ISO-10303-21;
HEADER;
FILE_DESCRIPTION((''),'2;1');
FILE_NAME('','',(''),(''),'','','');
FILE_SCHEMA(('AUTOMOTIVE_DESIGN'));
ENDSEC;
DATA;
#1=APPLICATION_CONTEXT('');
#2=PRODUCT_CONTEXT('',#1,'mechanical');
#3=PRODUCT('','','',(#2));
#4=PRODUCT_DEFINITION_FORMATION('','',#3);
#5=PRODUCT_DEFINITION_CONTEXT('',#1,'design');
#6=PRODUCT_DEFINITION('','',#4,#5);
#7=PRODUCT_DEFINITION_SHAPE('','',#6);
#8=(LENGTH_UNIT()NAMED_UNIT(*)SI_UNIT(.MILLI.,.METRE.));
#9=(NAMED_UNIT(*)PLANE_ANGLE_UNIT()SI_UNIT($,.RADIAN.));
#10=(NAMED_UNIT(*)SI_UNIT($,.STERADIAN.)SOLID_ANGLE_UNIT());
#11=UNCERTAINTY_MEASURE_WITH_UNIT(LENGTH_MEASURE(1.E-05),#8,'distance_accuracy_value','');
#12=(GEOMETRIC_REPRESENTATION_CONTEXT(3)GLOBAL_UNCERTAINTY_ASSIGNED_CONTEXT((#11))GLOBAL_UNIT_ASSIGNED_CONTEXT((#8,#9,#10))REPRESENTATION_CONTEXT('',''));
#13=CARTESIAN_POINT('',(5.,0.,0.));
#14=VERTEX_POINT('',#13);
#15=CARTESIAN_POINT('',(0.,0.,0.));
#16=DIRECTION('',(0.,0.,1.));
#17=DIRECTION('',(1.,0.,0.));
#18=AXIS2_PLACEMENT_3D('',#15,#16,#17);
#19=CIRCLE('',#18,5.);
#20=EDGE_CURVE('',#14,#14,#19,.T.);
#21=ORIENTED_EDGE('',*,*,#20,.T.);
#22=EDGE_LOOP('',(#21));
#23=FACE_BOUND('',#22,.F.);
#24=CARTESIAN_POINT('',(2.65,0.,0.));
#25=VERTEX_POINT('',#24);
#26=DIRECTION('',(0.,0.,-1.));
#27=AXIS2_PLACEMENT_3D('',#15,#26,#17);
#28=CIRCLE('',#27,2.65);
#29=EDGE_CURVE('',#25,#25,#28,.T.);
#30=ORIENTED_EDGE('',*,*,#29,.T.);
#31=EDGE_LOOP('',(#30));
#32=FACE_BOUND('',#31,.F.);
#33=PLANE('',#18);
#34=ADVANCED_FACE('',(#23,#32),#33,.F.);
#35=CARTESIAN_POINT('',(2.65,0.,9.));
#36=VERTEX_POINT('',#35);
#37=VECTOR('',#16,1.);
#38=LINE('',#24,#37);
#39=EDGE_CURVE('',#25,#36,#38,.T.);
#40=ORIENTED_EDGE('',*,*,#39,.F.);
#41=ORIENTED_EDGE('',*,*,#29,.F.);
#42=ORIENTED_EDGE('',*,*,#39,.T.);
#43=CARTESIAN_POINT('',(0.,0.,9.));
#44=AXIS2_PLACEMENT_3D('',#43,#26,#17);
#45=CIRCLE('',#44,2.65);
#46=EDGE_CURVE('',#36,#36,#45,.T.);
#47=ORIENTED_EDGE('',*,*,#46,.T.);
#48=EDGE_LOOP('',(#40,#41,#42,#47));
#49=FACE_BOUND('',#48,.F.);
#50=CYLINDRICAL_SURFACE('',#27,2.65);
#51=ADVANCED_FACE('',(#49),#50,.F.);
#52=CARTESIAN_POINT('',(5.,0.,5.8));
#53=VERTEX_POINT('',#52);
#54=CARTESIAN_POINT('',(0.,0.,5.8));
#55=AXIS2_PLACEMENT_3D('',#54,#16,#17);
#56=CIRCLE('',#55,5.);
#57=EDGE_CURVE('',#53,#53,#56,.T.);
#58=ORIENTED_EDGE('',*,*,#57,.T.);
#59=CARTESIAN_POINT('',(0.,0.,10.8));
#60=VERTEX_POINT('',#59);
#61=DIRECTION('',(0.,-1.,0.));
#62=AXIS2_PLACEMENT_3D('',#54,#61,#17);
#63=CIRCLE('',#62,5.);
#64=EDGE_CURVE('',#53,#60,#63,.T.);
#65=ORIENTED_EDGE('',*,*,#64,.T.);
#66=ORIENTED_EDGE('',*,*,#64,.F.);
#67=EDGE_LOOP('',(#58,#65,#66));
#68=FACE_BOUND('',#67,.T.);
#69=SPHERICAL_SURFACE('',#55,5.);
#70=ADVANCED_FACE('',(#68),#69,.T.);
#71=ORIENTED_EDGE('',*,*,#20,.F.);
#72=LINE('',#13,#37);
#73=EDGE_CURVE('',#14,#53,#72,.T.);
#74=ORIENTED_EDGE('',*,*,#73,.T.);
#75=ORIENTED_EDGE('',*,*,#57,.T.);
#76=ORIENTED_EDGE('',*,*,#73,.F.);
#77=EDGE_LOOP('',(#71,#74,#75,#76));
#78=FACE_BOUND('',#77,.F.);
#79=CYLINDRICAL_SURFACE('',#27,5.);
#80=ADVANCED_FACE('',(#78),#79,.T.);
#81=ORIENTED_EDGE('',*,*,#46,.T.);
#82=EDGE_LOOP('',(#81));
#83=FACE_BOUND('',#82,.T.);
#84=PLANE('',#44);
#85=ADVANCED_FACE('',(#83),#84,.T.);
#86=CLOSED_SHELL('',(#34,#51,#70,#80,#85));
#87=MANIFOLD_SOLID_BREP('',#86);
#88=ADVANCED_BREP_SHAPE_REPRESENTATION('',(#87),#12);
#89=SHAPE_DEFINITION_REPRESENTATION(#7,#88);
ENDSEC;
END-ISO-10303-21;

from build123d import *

# Parameters (mm, degrees)
F0_R     = 5
F1_DEPTH = 10.8
F2_R     = 5
F3_R     = 2.65
F4_DEPTH = 9


with BuildPart() as f1:
    # F0 (on Top) → F1 (new body)
    with BuildSketch(Plane.XY):
        Circle(F0_R)
    extrude(amount=F1_DEPTH)

    # F2
    f2_edges = [f1.edges().sort_by_distance(p)[0] for p in [
        (-5, 0, 10.8),
    ]]
    fillet(f2_edges, radius=F2_R)

    # F3 (on face) → F4 (cut)
    with BuildSketch(Plane(origin=(0, 0, 0), x_dir=(1, 0, 0), z_dir=(0, 0, -1))):
        Circle(F3_R)
    extrude(amount=-F4_DEPTH, mode=Mode.SUBTRACT)


solid = f1.part
